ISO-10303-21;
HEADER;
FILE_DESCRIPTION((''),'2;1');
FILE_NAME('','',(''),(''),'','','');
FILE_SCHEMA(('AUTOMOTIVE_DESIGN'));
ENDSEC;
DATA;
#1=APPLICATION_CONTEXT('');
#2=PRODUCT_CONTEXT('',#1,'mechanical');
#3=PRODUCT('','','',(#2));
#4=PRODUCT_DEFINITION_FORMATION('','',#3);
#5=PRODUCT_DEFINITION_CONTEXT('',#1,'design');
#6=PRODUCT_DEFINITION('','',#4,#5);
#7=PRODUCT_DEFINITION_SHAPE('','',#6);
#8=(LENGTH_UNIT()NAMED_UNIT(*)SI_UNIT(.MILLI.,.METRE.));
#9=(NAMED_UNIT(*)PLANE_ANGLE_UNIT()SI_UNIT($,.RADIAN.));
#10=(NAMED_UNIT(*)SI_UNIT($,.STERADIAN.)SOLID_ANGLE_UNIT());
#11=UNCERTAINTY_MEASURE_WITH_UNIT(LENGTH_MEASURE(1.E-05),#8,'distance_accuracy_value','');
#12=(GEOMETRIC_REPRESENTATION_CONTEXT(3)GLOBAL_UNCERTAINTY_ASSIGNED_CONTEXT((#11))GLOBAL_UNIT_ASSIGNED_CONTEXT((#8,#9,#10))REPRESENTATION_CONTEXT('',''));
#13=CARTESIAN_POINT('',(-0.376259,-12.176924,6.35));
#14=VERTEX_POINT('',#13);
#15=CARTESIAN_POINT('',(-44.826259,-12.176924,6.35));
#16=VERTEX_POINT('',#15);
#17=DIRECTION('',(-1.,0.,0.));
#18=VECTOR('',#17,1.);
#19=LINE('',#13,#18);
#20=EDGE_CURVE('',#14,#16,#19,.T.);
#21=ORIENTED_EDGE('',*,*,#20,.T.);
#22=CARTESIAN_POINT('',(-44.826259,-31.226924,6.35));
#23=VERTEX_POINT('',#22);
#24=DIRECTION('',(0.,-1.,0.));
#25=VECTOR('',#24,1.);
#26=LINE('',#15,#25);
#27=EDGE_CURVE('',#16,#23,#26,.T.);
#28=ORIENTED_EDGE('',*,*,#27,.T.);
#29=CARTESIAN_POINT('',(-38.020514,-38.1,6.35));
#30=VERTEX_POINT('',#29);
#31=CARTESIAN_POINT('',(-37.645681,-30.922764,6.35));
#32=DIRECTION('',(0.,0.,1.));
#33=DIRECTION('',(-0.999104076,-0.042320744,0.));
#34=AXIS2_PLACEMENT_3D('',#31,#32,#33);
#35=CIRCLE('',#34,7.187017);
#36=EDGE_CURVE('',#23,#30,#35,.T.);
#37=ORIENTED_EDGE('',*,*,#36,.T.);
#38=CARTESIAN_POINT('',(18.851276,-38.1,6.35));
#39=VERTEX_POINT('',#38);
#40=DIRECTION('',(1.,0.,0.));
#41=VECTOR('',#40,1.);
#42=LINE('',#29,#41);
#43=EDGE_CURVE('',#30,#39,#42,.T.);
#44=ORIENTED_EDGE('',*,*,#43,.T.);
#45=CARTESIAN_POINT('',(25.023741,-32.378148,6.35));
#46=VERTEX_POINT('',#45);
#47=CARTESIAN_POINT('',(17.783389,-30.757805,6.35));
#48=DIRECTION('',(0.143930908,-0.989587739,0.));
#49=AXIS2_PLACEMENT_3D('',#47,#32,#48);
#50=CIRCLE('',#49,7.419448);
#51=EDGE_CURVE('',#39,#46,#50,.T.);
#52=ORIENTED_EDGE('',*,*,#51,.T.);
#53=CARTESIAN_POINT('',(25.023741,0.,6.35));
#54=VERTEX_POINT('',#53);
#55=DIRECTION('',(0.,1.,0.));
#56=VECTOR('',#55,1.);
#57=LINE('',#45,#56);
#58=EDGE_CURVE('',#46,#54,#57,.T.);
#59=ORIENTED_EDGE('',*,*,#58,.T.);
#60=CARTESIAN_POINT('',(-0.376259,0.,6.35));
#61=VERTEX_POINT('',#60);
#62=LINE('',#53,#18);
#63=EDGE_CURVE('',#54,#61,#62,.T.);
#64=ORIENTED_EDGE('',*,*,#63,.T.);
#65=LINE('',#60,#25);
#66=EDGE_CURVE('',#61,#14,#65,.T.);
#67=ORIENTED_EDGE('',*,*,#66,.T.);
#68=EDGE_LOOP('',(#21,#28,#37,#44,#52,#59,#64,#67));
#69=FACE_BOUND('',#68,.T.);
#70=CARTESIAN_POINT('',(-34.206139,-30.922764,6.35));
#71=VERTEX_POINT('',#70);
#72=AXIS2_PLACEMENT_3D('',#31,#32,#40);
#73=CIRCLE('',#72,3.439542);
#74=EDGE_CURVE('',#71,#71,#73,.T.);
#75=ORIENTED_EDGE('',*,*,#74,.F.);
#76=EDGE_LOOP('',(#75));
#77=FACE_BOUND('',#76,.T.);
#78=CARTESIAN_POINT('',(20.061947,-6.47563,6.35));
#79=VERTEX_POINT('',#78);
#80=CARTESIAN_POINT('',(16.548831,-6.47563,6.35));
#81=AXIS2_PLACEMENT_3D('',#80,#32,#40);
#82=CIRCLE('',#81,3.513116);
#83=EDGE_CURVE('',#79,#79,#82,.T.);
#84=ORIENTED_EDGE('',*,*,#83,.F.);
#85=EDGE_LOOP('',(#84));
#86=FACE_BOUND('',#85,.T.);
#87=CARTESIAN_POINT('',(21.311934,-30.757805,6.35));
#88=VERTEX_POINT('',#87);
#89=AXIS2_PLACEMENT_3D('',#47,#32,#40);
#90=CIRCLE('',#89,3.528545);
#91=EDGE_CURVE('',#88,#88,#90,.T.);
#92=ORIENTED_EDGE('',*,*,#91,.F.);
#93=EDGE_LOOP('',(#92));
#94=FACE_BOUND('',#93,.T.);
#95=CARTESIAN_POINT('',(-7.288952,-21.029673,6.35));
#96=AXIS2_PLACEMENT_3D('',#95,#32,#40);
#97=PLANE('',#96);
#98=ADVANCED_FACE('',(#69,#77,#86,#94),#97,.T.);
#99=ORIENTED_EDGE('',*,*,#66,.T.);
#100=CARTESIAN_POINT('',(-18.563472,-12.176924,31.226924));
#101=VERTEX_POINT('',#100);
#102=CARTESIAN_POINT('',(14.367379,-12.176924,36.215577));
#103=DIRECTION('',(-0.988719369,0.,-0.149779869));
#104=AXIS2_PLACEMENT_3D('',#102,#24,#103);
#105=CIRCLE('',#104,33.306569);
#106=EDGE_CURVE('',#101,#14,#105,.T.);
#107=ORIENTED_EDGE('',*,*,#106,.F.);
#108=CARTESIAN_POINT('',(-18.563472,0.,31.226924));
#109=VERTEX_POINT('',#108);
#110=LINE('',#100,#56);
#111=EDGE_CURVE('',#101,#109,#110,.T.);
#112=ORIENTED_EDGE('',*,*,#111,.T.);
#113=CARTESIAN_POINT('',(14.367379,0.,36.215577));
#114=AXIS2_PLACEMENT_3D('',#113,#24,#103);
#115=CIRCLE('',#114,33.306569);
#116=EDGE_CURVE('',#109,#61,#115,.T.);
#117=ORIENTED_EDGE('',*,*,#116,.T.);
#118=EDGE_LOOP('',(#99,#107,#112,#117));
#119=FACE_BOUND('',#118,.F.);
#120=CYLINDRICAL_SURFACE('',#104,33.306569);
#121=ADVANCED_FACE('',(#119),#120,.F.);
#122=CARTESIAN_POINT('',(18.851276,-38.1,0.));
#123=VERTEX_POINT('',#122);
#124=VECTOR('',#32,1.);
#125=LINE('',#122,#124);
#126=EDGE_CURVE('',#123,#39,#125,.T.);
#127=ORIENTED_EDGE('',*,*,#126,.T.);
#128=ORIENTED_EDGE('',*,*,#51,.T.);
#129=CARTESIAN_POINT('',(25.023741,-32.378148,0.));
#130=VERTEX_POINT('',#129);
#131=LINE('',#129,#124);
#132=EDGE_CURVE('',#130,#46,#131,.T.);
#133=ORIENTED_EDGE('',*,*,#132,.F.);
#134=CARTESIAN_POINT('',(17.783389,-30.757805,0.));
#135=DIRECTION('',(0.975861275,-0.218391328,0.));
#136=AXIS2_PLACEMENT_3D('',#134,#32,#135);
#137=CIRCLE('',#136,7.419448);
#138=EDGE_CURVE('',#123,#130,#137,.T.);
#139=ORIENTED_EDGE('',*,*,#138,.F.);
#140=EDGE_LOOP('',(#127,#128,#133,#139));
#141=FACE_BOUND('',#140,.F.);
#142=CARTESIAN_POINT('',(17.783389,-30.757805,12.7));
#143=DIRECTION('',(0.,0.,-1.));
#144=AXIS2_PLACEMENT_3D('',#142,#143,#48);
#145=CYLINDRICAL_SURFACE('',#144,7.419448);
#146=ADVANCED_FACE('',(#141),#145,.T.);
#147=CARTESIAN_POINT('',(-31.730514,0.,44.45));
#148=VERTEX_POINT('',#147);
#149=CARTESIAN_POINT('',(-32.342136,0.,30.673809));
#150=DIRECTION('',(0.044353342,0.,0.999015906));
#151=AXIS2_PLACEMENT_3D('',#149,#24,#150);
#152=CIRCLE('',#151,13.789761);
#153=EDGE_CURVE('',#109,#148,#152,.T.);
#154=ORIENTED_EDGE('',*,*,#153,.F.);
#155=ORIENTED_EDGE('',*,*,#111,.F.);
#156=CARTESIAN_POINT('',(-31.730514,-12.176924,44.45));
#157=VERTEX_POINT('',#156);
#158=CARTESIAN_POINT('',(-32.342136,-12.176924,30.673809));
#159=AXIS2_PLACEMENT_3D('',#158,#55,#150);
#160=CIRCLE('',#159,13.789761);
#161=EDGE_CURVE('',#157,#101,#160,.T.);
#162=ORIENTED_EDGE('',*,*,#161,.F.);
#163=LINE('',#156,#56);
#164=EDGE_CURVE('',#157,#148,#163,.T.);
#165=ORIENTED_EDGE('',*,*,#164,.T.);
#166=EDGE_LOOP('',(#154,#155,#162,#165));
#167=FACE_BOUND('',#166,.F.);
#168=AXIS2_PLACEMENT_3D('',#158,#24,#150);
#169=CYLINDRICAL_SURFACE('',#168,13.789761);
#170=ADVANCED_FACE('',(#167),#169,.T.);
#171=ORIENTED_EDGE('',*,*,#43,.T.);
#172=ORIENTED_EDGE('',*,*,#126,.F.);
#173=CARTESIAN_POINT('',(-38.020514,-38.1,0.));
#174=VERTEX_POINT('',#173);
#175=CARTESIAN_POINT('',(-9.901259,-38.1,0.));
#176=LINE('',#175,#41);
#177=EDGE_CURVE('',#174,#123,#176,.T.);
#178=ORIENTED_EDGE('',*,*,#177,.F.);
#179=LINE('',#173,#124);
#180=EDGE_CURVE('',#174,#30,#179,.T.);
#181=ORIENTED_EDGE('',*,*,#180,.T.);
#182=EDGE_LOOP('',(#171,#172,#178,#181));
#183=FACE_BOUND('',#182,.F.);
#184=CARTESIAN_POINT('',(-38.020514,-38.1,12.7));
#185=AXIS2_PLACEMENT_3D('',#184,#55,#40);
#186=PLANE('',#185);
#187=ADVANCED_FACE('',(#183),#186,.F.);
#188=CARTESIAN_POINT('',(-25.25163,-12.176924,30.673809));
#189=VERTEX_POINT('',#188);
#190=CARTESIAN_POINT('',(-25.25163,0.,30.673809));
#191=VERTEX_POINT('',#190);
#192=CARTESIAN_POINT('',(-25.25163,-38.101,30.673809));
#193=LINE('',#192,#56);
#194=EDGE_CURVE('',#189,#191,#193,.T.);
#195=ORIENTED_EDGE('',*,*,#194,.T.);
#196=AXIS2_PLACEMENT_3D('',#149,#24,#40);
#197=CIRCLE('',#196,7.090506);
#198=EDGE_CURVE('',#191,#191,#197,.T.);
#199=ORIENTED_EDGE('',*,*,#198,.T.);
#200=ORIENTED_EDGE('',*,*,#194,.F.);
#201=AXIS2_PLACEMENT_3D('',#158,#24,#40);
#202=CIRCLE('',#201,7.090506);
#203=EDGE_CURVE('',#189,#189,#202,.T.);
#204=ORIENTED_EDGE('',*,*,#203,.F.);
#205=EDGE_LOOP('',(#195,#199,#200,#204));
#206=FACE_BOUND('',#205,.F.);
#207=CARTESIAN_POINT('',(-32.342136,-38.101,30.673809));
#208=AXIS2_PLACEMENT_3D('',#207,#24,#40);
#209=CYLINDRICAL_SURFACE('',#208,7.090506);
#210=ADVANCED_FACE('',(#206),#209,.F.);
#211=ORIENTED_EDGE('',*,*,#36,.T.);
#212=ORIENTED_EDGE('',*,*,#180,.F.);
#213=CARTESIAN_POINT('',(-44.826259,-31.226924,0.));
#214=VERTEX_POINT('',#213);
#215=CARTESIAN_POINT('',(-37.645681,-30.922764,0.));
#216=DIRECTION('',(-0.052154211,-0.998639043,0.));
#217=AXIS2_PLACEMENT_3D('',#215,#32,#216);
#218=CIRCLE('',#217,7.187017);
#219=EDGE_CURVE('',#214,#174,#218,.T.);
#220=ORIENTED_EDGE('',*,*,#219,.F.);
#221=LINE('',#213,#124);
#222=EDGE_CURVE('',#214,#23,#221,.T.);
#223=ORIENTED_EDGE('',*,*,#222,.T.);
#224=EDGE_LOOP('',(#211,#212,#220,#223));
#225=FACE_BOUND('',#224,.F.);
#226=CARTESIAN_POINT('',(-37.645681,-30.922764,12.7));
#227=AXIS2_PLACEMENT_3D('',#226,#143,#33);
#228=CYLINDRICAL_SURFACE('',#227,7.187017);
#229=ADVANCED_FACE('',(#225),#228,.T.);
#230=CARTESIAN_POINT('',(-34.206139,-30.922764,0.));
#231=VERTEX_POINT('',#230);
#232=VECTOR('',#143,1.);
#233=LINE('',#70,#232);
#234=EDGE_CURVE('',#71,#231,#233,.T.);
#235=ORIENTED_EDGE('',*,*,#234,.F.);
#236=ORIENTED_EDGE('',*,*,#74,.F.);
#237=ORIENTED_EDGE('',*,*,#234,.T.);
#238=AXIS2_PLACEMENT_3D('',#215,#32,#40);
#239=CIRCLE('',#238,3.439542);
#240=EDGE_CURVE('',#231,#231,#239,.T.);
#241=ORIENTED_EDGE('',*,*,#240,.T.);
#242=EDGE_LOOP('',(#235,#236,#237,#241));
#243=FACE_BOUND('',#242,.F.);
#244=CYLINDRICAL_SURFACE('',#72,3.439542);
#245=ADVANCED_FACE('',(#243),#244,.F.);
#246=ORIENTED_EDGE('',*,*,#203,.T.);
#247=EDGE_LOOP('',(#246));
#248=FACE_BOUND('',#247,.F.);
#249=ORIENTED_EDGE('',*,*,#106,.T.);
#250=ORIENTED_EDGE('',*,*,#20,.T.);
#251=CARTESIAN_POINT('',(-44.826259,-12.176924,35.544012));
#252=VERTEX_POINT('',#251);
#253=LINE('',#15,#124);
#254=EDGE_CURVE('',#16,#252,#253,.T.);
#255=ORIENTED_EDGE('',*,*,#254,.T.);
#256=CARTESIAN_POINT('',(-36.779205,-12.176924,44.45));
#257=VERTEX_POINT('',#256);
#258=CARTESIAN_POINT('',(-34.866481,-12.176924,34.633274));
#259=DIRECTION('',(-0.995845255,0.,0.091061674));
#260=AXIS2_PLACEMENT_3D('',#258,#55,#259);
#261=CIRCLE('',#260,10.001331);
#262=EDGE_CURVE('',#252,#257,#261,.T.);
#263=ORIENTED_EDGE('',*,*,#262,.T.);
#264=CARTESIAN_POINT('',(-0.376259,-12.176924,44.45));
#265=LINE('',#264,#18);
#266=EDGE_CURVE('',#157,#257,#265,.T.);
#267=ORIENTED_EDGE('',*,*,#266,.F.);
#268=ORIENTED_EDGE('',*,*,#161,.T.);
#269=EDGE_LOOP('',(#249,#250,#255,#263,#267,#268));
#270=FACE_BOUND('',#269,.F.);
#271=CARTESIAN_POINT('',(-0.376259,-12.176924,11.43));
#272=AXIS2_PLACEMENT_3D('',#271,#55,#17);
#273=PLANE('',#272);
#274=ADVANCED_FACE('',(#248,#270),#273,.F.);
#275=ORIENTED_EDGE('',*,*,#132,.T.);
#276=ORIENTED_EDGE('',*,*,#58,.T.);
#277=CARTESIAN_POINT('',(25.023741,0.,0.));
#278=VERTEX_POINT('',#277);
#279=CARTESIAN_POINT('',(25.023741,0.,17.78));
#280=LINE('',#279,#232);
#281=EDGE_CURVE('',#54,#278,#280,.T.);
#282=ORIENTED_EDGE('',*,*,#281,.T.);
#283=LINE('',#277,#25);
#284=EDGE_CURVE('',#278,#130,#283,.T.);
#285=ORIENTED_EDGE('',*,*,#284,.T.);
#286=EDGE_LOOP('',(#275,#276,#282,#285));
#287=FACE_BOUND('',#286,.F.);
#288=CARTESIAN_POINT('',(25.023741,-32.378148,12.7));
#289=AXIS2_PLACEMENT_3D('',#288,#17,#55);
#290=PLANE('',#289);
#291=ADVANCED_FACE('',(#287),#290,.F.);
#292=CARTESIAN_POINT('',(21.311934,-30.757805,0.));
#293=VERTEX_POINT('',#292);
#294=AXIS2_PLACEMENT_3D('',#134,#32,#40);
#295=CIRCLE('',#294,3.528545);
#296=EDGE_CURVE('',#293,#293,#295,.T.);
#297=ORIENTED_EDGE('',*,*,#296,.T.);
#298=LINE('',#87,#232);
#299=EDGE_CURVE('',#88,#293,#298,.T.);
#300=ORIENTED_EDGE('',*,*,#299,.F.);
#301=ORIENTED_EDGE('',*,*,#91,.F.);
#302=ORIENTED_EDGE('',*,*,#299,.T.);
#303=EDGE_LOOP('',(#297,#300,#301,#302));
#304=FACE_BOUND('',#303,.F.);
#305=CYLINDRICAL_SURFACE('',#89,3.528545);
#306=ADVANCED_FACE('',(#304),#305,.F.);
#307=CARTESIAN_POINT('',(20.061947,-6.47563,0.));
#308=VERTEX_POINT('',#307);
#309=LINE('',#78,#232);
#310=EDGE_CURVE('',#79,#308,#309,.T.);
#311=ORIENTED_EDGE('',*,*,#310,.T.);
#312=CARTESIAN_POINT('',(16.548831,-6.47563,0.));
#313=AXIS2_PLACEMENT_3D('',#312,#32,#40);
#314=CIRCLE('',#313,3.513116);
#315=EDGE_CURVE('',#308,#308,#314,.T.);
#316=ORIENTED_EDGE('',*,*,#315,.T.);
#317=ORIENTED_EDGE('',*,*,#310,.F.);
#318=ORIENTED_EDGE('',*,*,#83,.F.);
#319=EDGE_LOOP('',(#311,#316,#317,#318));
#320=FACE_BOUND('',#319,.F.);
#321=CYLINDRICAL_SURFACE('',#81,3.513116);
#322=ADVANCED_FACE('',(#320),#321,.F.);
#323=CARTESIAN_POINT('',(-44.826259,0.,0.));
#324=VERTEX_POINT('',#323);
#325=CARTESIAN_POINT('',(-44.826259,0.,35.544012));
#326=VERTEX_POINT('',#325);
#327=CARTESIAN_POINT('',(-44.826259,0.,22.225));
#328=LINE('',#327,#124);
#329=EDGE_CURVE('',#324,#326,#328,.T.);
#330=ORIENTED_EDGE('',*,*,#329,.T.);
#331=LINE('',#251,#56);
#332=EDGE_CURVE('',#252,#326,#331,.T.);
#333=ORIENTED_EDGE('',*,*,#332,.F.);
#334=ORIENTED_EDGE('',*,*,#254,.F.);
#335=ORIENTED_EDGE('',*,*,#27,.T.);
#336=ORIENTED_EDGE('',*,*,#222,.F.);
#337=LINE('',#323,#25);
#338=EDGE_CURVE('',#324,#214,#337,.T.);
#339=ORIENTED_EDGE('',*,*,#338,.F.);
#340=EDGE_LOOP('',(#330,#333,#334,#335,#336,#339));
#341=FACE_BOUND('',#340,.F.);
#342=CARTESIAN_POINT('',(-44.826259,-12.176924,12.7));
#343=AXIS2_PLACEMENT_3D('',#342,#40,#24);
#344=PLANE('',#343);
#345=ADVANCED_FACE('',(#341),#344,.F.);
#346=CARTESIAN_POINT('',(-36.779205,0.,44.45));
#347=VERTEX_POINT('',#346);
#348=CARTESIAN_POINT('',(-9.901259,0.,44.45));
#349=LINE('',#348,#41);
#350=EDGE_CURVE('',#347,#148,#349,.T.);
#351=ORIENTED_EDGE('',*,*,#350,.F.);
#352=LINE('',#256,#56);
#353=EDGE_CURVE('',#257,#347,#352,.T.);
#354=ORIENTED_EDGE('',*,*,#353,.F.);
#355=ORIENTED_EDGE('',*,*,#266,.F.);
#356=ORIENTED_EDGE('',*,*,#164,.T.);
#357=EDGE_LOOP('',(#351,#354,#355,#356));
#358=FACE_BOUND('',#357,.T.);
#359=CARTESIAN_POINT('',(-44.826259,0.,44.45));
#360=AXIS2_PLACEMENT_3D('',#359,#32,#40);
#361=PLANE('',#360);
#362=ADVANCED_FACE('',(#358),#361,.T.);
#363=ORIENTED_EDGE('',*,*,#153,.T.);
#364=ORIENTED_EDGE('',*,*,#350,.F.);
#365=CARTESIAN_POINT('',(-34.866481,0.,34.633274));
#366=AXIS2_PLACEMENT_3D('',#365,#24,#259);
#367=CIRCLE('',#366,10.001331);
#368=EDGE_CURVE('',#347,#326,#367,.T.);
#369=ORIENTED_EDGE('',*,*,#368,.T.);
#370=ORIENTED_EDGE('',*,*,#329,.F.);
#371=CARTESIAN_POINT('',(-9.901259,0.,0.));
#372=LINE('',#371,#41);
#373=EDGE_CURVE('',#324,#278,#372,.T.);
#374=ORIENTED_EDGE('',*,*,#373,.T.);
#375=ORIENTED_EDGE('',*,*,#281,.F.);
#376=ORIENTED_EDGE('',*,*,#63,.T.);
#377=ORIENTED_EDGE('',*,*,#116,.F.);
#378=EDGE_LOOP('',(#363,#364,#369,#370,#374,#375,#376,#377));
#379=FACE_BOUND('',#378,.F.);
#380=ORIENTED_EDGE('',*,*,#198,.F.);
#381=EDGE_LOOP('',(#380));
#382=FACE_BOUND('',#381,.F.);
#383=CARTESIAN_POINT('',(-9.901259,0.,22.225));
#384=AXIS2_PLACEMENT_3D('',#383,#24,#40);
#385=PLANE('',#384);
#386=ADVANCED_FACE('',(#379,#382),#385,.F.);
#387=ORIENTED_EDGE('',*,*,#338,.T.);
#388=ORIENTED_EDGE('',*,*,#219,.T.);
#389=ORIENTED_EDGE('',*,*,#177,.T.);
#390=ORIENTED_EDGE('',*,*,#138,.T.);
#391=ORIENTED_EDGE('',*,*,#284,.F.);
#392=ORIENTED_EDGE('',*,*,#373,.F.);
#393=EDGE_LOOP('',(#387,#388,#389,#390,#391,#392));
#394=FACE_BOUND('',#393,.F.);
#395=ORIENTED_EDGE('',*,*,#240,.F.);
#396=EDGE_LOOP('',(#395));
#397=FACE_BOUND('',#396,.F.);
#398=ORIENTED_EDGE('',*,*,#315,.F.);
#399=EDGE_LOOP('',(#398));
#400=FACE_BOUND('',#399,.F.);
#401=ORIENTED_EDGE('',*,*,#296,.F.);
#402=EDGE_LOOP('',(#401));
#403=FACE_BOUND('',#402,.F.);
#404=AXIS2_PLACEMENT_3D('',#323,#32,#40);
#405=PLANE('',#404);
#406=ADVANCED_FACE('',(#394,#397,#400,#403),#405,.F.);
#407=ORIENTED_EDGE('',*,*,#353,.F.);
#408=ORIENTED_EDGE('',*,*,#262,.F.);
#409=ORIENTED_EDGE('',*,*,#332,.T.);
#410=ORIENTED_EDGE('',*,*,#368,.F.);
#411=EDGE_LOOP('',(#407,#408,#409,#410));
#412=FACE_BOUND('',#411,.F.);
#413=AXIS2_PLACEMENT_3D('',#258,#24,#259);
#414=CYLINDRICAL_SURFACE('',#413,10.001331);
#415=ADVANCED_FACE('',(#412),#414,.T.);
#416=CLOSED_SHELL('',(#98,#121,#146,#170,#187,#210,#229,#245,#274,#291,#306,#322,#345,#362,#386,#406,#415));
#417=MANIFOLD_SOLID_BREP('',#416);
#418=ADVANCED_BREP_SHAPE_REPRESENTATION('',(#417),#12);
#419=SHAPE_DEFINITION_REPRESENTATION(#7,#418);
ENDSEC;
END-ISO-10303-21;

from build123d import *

# Parameters (mm, degrees)
F0_W      = 69.85
F0_H      = 44.45
F1_DEPTH  = 38.1
F3_DEPTH  = 44.451
F5_DEPTH  = 31.75
F6_DEPTH  = 5.08
F7_DEPTH  = 6.35
F8_DEPTH  = 5.08
F10_DEPTH = 12.1779236892
F11_R     = 7.0905060621
F12_DEPTH = 25.9240763108
F13_DEPTH = 38.102
F14_R     = 3.5131163542
F14_R_2   = 3.5285454021
F14_R_3   = 3.4395422414
F15_DEPTH = 6.351


with BuildPart() as f1:
    # F0 (on Front) → F1 (new body)
    with BuildSketch(Plane.XZ):
        with Locations((-9.9012593745, 22.225)):
            Rectangle(F0_W, F0_H)
    extrude(amount=F1_DEPTH)

    # F2 (on face) → F3 (cut, through all)
    with BuildSketch(Plane.XY.offset(44.45)):
        with BuildLine():
            ThreePointArc((-38.0205141645, -38.1), (-42.7526228642, -35.9796762697), (-44.8262593745, -31.2269236892))
            Line((-44.8262593745, -31.2269236892), (-44.8262593745, -38.1))
            Line((-44.8262593745, -38.1), (-38.0205141645, -38.1))
        make_face()
        with BuildLine():
            ThreePointArc((25.0237406255, -32.3781482875), (22.8273562196, -36.1989998927), (18.8512764871, -38.1))
            Line((18.8512764871, -38.1), (25.0237406255, -38.1))
            Line((25.0237406255, -38.1), (25.0237406255, -32.3781482875))
        make_face()
    extrude(amount=-F3_DEPTH, mode=Mode.SUBTRACT)

    # F4 (on face) → F5 (cut)
    with BuildSketch(Plane.XY.offset(44.45)):
        with BuildLine():
            Line((-0.3762593745, -12.1769236892), (-44.8262593745, -12.1769236892))
            Line((-44.8262593745, -12.1769236892), (-44.8262593745, -31.2269236892))
            ThreePointArc((-44.8262593745, -31.2269236892), (-42.7526228642, -35.9796762697), (-38.0205141645, -38.1))
            Line((-38.0205141645, -38.1), (18.8512764871, -38.1))
            ThreePointArc((18.8512764871, -38.1), (22.8273562196, -36.1989998927), (25.0237406255, -32.3781482875))
            Line((25.0237406255, -32.3781482875), (25.0237406255, 0))
            Line((25.0237406255, 0), (-0.3762593745, 0))
            Line((-0.3762593745, 0), (-0.3762593745, -12.1769236892))
        make_face()
    extrude(amount=-F5_DEPTH, mode=Mode.SUBTRACT)

    # F6 (add): a face of the model
    f6_faces = [f1.faces().sort_by_distance(p)[0] for p in [
        (-6.6136162869, -22.2162080718, 12.7),
    ]]
    extrude(f6_faces, amount=F6_DEPTH)

    # F7 (cut): a face of the model
    f7_faces = [f1.faces().sort_by_distance(p)[0] for p in [
        (-6.6136162869, -22.2162080718, 17.78),
    ]]
    extrude(f7_faces, amount=-F7_DEPTH, mode=Mode.SUBTRACT)

    # F8 (cut): a face of the model
    f8_faces = [f1.faces().sort_by_distance(p)[0] for p in [
        (-6.6136162869, -22.2162080718, 11.43),
    ]]
    extrude(f8_faces, amount=-F8_DEPTH, mode=Mode.SUBTRACT)

    # F9 (on face) → F10 (cut, through all)
    with BuildSketch(Plane.XZ.offset(12.1769236892)):
        with BuildLine():
            ThreePointArc((-44.8262593745, 35.5440117419), (-42.2872783605, 41.3383758962), (-36.7792046519, 44.45))
            Line((-36.7792046519, 44.45), (-44.8262593745, 44.45))
            Line((-44.8262593745, 44.45), (-44.8262593745, 35.5440117419))
        make_face()
        with BuildLine():
            Line((-0.3762593745, 44.45), (-31.7305137767, 44.45))
            ThreePointArc((-31.7305137767, 44.45), (-22.5706200379, 40.403916894), (-18.5634717345, 31.2269236892))
            ThreePointArc((-18.5634717345, 31.2269236892), (-12.5199705056, 16.5585677002), (-0.3762593745, 6.35))
            Line((-0.3762593745, 6.35), (-0.3762593745, 44.45))
        make_face()
    extrude(amount=-F10_DEPTH, mode=Mode.SUBTRACT)

    # F11 (on face) → F12 (join, through all)
    with BuildSketch(Plane.XZ.offset(12.1769236892)):
        with Locations((-32.3421357847, 30.6738090409)):
            Circle(F11_R)
    extrude(amount=F12_DEPTH)

    # F13 (cut, through all): a face of the model
    f13_faces = [f1.faces().sort_by_distance(p)[0] for p in [
        (-32.3421357847, -38.101, 30.6738090409),
    ]]
    extrude(f13_faces, amount=-F13_DEPTH, mode=Mode.SUBTRACT)

    # F14 (on face) → F15 (cut, through all)
    with BuildSketch(Plane.XY.offset(6.35)):
        with Locations((16.5488310158, -6.4756297506)):
            Circle(F14_R)
        with Locations((17.7833885895, -30.7578051752)):
            Circle(F14_R_2)
        with Locations((-37.6456809362, -30.9227637617)):
            Circle(F14_R_3)
    extrude(amount=-F15_DEPTH, mode=Mode.SUBTRACT)


solid = f1.part
